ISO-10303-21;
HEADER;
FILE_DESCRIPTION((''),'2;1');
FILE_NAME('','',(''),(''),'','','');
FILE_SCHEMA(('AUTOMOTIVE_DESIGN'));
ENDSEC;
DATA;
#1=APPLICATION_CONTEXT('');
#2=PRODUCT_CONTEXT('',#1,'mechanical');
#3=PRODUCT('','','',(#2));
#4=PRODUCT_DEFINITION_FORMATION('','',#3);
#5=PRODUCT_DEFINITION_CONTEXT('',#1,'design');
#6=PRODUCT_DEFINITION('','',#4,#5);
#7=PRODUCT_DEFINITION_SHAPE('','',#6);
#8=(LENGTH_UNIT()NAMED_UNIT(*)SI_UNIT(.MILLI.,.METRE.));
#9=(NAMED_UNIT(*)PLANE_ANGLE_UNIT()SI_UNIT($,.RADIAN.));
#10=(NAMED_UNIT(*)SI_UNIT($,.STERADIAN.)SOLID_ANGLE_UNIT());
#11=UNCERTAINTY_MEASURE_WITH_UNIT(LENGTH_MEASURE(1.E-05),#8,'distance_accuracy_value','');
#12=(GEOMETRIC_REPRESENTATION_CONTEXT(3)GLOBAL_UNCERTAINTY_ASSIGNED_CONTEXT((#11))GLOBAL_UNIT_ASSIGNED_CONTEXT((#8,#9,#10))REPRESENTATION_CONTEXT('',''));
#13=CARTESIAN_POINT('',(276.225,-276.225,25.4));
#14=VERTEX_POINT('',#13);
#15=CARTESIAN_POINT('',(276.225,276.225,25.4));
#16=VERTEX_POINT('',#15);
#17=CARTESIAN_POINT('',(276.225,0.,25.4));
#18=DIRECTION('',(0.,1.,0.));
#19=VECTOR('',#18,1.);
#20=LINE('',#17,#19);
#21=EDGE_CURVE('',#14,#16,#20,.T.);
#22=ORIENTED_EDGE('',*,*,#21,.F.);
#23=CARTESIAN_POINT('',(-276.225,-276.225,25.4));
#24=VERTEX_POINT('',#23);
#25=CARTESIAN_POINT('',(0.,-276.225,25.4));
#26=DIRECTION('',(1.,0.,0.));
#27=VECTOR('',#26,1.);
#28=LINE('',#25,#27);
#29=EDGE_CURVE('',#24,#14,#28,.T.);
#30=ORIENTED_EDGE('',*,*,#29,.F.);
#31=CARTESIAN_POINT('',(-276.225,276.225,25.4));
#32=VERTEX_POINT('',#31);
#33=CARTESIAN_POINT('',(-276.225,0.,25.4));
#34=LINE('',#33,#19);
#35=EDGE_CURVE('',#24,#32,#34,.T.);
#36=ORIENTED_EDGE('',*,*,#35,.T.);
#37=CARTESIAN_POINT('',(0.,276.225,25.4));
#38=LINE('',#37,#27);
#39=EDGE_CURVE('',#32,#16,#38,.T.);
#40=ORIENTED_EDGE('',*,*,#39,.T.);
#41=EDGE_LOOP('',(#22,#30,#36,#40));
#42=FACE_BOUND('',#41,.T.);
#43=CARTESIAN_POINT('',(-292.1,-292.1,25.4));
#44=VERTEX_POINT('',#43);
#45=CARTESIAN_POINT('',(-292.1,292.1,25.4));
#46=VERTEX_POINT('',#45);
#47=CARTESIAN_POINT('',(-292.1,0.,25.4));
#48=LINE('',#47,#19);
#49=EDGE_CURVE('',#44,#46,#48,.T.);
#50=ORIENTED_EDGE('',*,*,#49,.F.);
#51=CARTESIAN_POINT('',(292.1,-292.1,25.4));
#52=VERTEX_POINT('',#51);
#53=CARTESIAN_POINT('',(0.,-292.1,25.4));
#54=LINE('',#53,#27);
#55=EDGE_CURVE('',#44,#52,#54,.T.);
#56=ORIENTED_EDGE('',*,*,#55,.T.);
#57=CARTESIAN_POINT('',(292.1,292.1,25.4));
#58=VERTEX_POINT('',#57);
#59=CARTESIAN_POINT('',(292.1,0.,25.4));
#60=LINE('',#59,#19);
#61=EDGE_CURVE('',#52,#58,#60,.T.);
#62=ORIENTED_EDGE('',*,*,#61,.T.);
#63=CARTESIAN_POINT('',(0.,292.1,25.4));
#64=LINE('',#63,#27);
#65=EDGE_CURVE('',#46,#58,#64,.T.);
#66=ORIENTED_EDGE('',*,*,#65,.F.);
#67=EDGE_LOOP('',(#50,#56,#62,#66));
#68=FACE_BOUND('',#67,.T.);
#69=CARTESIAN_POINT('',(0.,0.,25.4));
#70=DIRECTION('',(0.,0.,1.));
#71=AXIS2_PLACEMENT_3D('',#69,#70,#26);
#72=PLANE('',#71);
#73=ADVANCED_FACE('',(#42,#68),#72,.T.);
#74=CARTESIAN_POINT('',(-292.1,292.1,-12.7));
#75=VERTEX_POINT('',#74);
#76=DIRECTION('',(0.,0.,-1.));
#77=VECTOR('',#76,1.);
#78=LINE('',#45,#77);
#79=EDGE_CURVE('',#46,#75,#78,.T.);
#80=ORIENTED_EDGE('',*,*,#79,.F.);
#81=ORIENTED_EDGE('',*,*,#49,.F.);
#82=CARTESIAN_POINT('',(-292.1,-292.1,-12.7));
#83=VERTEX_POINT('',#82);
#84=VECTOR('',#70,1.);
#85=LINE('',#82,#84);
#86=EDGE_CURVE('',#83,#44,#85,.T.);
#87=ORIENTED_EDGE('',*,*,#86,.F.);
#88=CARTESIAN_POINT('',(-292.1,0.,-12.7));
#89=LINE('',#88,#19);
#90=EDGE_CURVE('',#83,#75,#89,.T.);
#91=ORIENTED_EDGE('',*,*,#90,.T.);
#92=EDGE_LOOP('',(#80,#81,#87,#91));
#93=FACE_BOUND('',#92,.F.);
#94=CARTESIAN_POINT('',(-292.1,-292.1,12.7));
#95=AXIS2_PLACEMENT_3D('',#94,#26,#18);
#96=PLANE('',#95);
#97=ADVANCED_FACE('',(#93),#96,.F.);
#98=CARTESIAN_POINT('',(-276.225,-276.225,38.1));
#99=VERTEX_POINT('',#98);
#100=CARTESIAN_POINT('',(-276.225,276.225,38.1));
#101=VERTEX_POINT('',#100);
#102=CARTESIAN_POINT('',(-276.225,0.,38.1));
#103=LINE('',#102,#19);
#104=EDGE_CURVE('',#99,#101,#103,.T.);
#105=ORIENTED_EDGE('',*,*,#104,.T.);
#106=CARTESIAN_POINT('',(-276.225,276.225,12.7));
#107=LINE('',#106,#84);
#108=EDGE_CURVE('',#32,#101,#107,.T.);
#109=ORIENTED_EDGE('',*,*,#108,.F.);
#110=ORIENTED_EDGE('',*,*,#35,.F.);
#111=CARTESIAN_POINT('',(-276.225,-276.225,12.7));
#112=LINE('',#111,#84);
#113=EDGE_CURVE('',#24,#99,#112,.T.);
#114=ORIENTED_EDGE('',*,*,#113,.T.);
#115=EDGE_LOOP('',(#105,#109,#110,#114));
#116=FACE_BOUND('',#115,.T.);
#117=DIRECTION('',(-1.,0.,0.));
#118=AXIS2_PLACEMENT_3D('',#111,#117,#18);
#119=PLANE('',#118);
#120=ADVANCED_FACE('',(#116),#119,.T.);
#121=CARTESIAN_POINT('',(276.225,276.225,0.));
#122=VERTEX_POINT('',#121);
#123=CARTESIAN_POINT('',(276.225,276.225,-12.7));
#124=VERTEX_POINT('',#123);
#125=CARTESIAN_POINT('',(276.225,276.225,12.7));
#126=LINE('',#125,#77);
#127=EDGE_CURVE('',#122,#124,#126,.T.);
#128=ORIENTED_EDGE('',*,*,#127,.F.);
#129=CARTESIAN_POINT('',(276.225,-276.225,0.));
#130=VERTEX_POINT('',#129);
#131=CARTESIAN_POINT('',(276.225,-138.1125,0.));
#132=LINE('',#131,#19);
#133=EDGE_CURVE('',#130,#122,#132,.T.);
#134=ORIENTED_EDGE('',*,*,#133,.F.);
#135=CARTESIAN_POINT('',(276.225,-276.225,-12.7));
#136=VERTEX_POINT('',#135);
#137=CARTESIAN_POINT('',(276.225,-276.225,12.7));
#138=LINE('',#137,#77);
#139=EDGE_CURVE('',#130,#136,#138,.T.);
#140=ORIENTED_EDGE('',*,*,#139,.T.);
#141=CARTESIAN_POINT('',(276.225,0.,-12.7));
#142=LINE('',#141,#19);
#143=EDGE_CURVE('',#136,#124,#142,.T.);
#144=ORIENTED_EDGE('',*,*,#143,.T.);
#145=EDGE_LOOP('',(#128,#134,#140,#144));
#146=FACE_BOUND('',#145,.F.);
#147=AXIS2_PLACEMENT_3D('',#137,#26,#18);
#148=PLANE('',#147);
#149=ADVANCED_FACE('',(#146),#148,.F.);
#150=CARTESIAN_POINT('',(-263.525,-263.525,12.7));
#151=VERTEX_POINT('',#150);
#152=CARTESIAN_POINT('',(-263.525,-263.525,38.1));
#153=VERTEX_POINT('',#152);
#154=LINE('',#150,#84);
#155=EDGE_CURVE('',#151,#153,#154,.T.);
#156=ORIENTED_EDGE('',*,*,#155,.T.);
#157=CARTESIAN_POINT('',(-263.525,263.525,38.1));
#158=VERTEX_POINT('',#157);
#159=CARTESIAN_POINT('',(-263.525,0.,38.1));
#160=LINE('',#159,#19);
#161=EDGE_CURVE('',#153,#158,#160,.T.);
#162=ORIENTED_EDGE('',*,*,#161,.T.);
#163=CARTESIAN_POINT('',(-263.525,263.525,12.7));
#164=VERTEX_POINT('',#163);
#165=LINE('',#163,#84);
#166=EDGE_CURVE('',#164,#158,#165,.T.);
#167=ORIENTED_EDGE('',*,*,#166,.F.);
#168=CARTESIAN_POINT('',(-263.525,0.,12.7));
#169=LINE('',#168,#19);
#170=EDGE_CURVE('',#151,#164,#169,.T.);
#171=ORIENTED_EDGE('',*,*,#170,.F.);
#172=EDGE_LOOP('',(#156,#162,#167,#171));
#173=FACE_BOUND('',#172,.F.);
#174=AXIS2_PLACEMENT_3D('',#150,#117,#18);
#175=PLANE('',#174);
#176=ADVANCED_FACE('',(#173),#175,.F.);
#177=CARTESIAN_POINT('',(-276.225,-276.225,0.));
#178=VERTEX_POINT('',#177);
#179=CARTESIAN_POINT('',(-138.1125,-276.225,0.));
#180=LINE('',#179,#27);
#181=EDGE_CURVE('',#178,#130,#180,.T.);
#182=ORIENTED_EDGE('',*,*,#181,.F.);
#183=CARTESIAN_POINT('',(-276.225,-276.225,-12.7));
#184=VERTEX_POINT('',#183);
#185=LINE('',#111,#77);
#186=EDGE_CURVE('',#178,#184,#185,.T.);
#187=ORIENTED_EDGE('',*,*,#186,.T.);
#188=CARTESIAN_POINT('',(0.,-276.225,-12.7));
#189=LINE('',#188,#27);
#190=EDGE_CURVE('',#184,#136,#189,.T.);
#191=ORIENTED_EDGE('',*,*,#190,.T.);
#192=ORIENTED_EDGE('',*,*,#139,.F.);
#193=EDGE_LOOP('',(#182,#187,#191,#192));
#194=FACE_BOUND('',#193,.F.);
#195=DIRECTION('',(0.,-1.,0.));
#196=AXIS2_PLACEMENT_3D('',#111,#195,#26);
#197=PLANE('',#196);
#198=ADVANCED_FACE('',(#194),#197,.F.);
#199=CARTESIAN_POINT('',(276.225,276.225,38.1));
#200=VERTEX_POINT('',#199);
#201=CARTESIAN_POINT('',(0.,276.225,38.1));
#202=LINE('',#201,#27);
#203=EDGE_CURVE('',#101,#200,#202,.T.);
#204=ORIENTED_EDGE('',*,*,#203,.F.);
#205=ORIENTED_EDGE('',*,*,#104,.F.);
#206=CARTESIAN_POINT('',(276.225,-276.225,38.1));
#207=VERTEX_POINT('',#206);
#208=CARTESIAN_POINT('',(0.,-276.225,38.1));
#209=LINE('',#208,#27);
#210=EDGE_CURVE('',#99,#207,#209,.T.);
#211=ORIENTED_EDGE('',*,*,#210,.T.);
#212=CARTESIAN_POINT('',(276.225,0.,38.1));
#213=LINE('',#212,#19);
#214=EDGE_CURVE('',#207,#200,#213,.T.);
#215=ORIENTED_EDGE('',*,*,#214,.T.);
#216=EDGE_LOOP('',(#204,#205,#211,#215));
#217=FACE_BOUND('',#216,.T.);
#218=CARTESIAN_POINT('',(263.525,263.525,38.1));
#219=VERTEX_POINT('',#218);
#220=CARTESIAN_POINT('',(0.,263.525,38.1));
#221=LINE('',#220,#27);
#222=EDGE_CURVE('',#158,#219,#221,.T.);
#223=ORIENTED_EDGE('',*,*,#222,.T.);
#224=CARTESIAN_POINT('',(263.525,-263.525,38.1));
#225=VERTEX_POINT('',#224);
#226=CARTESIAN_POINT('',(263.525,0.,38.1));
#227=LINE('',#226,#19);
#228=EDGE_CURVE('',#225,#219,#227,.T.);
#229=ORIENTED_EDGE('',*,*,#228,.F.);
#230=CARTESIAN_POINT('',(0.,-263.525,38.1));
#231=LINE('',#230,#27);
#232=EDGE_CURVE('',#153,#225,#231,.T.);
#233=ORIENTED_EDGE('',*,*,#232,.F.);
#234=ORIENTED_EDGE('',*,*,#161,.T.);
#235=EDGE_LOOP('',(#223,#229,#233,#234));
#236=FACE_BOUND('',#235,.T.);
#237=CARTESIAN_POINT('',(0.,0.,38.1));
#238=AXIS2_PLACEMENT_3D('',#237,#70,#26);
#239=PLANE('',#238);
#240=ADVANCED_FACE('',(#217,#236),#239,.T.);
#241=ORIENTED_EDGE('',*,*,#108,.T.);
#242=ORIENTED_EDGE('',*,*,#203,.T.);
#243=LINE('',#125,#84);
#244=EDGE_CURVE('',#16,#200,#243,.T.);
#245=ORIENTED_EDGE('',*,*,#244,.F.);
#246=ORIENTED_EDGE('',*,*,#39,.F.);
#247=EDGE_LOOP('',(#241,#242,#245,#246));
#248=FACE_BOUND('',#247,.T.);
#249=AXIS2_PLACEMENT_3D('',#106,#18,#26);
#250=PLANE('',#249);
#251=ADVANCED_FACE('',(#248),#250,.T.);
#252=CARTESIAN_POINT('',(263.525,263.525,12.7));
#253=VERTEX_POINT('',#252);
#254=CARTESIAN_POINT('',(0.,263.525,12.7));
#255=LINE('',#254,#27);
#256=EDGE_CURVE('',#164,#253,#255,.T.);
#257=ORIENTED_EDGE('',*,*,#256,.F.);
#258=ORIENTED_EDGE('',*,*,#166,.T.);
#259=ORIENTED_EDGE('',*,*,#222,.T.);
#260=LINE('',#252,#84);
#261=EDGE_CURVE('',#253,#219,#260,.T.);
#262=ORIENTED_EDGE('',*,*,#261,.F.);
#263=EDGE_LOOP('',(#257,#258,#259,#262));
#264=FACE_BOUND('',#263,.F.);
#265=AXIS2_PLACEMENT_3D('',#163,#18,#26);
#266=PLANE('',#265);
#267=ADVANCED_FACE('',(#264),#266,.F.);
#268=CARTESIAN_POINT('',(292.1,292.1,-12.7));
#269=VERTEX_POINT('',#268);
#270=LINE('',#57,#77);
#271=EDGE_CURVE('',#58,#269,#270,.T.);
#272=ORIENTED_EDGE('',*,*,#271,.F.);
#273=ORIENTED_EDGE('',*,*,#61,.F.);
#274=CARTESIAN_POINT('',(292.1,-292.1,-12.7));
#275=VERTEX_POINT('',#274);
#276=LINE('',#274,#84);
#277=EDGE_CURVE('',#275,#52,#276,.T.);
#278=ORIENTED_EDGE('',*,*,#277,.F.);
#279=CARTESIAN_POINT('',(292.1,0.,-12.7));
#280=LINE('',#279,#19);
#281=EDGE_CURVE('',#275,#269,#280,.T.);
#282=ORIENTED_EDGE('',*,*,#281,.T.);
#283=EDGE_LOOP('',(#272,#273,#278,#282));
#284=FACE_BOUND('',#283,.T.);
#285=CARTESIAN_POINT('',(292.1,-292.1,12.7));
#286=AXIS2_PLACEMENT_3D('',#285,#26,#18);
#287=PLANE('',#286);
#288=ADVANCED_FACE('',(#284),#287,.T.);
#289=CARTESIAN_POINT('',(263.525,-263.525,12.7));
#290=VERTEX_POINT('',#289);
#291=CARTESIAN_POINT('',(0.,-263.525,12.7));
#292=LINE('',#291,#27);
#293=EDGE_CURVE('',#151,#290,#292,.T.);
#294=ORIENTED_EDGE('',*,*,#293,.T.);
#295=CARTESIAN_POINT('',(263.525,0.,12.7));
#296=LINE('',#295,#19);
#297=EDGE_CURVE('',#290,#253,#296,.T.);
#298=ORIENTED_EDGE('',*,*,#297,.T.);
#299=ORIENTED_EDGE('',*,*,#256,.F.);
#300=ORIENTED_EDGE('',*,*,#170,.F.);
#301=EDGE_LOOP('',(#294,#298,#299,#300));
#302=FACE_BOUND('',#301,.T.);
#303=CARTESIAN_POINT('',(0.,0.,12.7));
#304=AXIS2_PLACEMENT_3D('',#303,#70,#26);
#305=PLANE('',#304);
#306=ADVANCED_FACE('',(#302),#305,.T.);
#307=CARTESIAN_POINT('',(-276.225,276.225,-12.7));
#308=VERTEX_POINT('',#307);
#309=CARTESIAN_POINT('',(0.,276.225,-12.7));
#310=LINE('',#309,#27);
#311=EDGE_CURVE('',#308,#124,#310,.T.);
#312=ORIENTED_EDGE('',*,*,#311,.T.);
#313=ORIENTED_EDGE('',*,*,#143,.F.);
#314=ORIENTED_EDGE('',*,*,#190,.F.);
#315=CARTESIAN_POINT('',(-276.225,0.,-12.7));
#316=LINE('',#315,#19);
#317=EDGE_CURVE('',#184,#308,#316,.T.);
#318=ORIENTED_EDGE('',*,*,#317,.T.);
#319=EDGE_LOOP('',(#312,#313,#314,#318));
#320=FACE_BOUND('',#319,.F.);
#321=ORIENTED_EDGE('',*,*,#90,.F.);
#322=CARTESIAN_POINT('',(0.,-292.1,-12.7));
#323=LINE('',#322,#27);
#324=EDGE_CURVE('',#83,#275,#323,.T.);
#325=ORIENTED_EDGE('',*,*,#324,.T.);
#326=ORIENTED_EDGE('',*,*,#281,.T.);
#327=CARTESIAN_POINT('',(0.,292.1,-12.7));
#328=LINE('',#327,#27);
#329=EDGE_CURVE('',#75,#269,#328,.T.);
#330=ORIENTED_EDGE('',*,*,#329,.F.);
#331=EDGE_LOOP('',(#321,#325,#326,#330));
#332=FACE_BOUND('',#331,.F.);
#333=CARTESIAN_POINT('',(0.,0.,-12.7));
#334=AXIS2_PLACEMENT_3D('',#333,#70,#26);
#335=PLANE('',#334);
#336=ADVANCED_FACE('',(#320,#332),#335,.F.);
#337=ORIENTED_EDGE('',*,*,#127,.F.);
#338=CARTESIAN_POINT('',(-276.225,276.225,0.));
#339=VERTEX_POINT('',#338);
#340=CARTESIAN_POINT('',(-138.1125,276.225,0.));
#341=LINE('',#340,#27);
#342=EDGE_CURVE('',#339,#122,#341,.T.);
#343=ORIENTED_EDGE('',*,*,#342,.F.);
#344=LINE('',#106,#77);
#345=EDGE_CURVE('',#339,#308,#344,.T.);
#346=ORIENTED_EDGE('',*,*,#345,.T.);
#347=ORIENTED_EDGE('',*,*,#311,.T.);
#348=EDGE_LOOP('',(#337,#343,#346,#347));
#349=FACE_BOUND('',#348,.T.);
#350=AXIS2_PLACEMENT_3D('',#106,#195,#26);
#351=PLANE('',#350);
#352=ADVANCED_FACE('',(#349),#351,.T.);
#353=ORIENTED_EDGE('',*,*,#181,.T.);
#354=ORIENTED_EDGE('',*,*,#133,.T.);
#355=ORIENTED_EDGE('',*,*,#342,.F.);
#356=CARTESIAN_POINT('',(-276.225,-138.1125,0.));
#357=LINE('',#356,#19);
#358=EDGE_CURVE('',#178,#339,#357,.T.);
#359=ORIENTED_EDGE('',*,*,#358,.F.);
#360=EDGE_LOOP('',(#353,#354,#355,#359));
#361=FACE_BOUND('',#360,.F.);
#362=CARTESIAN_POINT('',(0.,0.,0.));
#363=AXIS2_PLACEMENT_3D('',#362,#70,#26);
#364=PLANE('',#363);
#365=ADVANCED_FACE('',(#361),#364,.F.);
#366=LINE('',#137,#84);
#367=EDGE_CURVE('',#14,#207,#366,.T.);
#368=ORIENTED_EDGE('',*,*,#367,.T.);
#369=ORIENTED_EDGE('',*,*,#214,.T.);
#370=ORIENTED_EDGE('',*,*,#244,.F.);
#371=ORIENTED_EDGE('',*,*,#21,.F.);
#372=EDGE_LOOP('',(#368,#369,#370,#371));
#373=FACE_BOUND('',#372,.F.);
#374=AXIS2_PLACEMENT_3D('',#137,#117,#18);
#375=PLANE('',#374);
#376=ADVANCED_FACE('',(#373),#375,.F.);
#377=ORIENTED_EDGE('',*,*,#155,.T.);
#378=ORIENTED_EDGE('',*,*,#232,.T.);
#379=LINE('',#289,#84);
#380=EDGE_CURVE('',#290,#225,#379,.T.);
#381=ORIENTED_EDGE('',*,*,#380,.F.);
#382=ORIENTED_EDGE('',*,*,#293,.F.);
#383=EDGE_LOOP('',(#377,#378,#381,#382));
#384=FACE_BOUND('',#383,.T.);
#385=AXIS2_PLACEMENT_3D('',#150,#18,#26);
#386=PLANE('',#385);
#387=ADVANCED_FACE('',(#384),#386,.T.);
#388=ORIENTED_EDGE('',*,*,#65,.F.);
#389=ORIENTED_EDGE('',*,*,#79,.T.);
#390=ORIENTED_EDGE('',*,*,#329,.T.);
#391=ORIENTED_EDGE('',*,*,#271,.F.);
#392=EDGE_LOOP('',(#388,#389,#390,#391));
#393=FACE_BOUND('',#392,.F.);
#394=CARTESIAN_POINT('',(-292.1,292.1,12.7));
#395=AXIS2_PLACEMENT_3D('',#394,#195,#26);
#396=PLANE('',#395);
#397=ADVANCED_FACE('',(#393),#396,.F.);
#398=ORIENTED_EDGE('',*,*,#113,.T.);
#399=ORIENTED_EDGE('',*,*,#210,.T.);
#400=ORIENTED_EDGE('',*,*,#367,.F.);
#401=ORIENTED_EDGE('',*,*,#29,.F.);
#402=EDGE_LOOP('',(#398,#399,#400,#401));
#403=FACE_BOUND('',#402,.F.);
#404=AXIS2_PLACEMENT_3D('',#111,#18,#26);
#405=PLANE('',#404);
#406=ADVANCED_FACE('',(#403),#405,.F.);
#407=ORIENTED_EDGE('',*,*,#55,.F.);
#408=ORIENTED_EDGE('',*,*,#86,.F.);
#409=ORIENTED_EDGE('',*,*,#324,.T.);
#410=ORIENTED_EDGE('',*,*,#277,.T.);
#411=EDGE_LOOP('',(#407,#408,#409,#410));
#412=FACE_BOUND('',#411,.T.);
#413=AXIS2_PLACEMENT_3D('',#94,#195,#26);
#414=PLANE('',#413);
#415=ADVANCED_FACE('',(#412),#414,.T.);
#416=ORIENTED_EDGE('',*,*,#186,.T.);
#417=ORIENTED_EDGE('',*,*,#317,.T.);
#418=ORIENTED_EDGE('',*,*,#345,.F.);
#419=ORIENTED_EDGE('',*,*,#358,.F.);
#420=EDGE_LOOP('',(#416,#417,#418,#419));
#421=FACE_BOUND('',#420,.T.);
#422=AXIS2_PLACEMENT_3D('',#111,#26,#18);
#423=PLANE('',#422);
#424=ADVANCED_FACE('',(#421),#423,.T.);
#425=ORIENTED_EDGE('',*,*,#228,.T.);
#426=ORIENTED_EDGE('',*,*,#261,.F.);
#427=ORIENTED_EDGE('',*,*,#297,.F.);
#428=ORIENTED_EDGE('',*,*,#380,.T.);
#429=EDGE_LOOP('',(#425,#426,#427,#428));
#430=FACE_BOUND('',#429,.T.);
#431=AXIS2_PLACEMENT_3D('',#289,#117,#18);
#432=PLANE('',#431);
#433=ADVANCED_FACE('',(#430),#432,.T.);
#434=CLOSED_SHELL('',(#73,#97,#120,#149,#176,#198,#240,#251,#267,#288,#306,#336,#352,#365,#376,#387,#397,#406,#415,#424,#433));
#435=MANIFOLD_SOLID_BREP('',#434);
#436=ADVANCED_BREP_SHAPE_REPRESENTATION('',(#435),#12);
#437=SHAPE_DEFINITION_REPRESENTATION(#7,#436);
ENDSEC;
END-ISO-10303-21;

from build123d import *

# Parameters (mm, degrees)
F0_W          = 584.2
F0_H          = 584.2
F1_DEPTH      = 12.7
F2_W          = 584.2
F2_H          = 584.2
F2_W_2        = 558.8
F2_H_2        = 558.8
F3_DEPTH      = 152.4
F4_W          = 1017.536164
F4_H          = 883.057714
F4_W_2        = 558.8
F4_H_2        = 558.8
F5_DEPTH      = 508
F6_W          = 552.45
F6_H          = 552.45
F6_W_2        = 527.05
F6_H_2        = 527.05
F7_DEPTH      = 25.4
F8_W          = 584.2
F8_H          = 584.2
F8_W_2        = 552.45
F8_H_2        = 552.45
F9_DEPTH      = 12.7
F9_DEPTH_BACK = 25.4


with BuildPart() as f1:
    # F0 (on Top) → F1 (new body)
    with BuildSketch(Plane.XY):
        Rectangle(F0_W, F0_H)
    extrude(amount=F1_DEPTH)

    # F2 (on face) → F3 (join)
    with BuildSketch(Plane.XY.offset(12.7)):
        Rectangle(F2_W, F2_H)
        Rectangle(F2_W_2, F2_H_2, mode=Mode.SUBTRACT)
    extrude(amount=F3_DEPTH)

    # F4 (on face) → F5 (cut)
    with BuildSketch(Plane.XY.offset(12.7)):
        Rectangle(F4_W, F4_H)
        Rectangle(F4_W_2, F4_H_2, mode=Mode.SUBTRACT)
    extrude(amount=F5_DEPTH, mode=Mode.SUBTRACT)

    # F6 (on face) → F7 (join)
    with BuildSketch(Plane.XY.offset(12.7)):
        Rectangle(F6_W, F6_H)
        Rectangle(F6_W_2, F6_H_2, mode=Mode.SUBTRACT)
    extrude(amount=F7_DEPTH)

    # F8 (on face) → F9 (join, two sides)
    with BuildSketch(Plane.XY.offset(12.7)) as f9_sk:
        Rectangle(F8_W, F8_H)
        Rectangle(F8_W_2, F8_H_2, mode=Mode.SUBTRACT)
    extrude(amount=F9_DEPTH)
    extrude(f9_sk.sketch, amount=-F9_DEPTH_BACK)


solid = f1.part
